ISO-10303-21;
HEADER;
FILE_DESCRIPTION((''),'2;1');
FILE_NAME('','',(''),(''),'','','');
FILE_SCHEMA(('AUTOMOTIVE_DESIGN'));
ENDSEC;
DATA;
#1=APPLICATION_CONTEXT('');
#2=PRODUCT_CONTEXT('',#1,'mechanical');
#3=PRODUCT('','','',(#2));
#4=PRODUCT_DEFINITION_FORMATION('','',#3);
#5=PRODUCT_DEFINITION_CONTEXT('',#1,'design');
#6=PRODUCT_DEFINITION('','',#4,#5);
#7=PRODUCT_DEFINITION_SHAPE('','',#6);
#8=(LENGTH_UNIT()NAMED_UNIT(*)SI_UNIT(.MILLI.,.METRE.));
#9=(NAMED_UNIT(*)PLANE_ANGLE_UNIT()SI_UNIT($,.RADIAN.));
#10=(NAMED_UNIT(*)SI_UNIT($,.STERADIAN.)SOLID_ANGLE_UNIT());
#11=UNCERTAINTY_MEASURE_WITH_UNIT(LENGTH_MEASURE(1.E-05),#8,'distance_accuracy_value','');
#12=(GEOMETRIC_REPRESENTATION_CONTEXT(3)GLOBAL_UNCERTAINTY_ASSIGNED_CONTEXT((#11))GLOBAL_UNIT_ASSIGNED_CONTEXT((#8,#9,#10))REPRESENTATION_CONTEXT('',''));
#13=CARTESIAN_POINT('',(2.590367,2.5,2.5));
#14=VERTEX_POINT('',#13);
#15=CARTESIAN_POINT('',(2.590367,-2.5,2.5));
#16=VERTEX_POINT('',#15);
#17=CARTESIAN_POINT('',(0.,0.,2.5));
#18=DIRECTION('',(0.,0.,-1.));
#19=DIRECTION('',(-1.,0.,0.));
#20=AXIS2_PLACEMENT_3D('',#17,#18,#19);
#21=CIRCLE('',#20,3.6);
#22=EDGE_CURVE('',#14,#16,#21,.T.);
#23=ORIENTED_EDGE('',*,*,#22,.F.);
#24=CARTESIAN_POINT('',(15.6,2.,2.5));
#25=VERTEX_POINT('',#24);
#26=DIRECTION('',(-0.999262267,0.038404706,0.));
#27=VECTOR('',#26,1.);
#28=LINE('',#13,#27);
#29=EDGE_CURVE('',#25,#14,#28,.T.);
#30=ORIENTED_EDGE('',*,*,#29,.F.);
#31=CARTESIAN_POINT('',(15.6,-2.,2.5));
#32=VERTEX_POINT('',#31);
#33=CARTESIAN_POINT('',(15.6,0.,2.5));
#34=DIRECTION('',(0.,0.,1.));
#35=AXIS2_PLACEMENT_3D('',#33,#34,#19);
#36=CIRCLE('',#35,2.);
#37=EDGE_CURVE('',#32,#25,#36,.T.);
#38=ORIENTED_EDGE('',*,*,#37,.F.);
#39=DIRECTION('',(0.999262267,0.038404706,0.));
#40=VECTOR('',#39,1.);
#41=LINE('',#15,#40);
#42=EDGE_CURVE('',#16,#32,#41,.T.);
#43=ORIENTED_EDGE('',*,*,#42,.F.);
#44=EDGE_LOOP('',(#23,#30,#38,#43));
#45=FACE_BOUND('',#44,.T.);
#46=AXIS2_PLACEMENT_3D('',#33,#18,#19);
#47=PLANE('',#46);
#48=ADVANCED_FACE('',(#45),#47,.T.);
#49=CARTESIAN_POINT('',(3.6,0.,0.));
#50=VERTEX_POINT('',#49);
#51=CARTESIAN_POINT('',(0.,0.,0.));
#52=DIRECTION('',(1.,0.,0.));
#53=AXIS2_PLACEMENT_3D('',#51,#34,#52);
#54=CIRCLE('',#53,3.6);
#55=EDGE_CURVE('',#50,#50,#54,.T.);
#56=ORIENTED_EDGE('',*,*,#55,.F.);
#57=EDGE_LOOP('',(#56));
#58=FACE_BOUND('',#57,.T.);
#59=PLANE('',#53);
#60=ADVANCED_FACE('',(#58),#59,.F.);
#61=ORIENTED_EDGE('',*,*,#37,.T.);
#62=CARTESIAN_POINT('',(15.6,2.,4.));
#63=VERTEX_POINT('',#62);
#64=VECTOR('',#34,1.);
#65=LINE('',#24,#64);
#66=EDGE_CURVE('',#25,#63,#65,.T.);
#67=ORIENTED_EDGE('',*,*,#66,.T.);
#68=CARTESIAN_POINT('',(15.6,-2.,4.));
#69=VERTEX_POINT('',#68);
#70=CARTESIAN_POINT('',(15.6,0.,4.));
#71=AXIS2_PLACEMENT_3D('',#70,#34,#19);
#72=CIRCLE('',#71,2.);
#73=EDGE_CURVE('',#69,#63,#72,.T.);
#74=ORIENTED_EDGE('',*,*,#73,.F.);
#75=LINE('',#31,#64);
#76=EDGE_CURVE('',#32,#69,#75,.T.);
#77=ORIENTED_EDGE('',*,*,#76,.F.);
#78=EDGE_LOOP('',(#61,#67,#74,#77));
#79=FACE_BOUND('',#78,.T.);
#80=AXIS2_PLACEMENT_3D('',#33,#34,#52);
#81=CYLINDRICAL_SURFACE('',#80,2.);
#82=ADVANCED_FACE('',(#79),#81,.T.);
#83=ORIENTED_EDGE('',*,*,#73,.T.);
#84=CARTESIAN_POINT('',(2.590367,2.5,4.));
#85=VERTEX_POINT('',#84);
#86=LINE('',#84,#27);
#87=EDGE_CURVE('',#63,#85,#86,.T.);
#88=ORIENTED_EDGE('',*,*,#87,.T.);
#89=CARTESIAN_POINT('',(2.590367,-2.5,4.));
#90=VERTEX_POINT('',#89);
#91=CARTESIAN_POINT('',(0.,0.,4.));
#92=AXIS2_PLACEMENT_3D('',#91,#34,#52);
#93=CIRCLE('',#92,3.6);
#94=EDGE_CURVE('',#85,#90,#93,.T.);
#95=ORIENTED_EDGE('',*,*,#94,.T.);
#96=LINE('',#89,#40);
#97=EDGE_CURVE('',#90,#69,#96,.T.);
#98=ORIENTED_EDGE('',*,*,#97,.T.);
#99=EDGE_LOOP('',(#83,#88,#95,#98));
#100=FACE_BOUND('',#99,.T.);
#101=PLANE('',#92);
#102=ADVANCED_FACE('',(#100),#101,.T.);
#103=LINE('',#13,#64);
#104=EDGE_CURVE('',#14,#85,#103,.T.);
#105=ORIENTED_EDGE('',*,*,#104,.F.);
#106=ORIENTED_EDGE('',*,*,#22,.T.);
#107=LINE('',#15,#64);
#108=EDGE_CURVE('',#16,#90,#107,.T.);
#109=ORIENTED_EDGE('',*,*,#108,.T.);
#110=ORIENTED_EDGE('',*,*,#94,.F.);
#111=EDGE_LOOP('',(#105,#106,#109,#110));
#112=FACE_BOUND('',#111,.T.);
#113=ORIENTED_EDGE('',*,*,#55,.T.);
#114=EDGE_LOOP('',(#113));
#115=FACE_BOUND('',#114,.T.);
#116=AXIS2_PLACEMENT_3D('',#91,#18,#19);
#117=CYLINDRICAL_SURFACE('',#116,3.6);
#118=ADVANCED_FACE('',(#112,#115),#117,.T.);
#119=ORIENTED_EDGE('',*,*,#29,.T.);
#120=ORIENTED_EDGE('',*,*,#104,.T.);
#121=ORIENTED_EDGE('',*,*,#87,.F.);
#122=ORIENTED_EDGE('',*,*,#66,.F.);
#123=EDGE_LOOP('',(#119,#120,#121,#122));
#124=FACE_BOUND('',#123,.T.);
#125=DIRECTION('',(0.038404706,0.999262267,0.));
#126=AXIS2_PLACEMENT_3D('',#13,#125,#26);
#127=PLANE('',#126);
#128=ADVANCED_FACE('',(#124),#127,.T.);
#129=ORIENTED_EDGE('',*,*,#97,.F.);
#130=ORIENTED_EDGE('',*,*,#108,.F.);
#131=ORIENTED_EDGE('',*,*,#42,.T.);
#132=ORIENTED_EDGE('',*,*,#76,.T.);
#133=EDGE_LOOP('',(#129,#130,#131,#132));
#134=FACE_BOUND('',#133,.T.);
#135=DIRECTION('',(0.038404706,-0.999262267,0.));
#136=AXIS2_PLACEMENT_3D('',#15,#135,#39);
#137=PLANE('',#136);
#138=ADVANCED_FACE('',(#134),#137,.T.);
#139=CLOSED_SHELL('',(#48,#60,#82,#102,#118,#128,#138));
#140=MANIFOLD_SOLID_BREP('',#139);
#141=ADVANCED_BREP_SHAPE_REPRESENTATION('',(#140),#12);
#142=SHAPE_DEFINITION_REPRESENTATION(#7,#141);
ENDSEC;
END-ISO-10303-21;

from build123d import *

# Parameters (mm, degrees)
SKETCH_1_R      = 3.6
EXTRUDE_1_DEPTH = 4
EXTRUDE_2_DEPTH = 1.5


with BuildPart() as part:
    # 草图1 → 凸台-拉伸1 (new body)
    with BuildSketch(Plane.XY):
        Circle(SKETCH_1_R)
    extrude(amount=EXTRUDE_1_DEPTH)

    # 草图2 → 凸台-拉伸2 (add)
    with BuildSketch(Plane.XY.offset(4)):
        with BuildLine():
            Line((2.590366769, 2.5), (15.6, 2))
            ThreePointArc((15.6, 2), (17.6, 0), (15.6, -2))
            Line((15.6, -2), (2.590366769, -2.5))
            Line((2.590366769, -2.5), (2.590366769, 2.5))
        make_face()
    extrude(amount=-EXTRUDE_2_DEPTH)


solid = part.part
